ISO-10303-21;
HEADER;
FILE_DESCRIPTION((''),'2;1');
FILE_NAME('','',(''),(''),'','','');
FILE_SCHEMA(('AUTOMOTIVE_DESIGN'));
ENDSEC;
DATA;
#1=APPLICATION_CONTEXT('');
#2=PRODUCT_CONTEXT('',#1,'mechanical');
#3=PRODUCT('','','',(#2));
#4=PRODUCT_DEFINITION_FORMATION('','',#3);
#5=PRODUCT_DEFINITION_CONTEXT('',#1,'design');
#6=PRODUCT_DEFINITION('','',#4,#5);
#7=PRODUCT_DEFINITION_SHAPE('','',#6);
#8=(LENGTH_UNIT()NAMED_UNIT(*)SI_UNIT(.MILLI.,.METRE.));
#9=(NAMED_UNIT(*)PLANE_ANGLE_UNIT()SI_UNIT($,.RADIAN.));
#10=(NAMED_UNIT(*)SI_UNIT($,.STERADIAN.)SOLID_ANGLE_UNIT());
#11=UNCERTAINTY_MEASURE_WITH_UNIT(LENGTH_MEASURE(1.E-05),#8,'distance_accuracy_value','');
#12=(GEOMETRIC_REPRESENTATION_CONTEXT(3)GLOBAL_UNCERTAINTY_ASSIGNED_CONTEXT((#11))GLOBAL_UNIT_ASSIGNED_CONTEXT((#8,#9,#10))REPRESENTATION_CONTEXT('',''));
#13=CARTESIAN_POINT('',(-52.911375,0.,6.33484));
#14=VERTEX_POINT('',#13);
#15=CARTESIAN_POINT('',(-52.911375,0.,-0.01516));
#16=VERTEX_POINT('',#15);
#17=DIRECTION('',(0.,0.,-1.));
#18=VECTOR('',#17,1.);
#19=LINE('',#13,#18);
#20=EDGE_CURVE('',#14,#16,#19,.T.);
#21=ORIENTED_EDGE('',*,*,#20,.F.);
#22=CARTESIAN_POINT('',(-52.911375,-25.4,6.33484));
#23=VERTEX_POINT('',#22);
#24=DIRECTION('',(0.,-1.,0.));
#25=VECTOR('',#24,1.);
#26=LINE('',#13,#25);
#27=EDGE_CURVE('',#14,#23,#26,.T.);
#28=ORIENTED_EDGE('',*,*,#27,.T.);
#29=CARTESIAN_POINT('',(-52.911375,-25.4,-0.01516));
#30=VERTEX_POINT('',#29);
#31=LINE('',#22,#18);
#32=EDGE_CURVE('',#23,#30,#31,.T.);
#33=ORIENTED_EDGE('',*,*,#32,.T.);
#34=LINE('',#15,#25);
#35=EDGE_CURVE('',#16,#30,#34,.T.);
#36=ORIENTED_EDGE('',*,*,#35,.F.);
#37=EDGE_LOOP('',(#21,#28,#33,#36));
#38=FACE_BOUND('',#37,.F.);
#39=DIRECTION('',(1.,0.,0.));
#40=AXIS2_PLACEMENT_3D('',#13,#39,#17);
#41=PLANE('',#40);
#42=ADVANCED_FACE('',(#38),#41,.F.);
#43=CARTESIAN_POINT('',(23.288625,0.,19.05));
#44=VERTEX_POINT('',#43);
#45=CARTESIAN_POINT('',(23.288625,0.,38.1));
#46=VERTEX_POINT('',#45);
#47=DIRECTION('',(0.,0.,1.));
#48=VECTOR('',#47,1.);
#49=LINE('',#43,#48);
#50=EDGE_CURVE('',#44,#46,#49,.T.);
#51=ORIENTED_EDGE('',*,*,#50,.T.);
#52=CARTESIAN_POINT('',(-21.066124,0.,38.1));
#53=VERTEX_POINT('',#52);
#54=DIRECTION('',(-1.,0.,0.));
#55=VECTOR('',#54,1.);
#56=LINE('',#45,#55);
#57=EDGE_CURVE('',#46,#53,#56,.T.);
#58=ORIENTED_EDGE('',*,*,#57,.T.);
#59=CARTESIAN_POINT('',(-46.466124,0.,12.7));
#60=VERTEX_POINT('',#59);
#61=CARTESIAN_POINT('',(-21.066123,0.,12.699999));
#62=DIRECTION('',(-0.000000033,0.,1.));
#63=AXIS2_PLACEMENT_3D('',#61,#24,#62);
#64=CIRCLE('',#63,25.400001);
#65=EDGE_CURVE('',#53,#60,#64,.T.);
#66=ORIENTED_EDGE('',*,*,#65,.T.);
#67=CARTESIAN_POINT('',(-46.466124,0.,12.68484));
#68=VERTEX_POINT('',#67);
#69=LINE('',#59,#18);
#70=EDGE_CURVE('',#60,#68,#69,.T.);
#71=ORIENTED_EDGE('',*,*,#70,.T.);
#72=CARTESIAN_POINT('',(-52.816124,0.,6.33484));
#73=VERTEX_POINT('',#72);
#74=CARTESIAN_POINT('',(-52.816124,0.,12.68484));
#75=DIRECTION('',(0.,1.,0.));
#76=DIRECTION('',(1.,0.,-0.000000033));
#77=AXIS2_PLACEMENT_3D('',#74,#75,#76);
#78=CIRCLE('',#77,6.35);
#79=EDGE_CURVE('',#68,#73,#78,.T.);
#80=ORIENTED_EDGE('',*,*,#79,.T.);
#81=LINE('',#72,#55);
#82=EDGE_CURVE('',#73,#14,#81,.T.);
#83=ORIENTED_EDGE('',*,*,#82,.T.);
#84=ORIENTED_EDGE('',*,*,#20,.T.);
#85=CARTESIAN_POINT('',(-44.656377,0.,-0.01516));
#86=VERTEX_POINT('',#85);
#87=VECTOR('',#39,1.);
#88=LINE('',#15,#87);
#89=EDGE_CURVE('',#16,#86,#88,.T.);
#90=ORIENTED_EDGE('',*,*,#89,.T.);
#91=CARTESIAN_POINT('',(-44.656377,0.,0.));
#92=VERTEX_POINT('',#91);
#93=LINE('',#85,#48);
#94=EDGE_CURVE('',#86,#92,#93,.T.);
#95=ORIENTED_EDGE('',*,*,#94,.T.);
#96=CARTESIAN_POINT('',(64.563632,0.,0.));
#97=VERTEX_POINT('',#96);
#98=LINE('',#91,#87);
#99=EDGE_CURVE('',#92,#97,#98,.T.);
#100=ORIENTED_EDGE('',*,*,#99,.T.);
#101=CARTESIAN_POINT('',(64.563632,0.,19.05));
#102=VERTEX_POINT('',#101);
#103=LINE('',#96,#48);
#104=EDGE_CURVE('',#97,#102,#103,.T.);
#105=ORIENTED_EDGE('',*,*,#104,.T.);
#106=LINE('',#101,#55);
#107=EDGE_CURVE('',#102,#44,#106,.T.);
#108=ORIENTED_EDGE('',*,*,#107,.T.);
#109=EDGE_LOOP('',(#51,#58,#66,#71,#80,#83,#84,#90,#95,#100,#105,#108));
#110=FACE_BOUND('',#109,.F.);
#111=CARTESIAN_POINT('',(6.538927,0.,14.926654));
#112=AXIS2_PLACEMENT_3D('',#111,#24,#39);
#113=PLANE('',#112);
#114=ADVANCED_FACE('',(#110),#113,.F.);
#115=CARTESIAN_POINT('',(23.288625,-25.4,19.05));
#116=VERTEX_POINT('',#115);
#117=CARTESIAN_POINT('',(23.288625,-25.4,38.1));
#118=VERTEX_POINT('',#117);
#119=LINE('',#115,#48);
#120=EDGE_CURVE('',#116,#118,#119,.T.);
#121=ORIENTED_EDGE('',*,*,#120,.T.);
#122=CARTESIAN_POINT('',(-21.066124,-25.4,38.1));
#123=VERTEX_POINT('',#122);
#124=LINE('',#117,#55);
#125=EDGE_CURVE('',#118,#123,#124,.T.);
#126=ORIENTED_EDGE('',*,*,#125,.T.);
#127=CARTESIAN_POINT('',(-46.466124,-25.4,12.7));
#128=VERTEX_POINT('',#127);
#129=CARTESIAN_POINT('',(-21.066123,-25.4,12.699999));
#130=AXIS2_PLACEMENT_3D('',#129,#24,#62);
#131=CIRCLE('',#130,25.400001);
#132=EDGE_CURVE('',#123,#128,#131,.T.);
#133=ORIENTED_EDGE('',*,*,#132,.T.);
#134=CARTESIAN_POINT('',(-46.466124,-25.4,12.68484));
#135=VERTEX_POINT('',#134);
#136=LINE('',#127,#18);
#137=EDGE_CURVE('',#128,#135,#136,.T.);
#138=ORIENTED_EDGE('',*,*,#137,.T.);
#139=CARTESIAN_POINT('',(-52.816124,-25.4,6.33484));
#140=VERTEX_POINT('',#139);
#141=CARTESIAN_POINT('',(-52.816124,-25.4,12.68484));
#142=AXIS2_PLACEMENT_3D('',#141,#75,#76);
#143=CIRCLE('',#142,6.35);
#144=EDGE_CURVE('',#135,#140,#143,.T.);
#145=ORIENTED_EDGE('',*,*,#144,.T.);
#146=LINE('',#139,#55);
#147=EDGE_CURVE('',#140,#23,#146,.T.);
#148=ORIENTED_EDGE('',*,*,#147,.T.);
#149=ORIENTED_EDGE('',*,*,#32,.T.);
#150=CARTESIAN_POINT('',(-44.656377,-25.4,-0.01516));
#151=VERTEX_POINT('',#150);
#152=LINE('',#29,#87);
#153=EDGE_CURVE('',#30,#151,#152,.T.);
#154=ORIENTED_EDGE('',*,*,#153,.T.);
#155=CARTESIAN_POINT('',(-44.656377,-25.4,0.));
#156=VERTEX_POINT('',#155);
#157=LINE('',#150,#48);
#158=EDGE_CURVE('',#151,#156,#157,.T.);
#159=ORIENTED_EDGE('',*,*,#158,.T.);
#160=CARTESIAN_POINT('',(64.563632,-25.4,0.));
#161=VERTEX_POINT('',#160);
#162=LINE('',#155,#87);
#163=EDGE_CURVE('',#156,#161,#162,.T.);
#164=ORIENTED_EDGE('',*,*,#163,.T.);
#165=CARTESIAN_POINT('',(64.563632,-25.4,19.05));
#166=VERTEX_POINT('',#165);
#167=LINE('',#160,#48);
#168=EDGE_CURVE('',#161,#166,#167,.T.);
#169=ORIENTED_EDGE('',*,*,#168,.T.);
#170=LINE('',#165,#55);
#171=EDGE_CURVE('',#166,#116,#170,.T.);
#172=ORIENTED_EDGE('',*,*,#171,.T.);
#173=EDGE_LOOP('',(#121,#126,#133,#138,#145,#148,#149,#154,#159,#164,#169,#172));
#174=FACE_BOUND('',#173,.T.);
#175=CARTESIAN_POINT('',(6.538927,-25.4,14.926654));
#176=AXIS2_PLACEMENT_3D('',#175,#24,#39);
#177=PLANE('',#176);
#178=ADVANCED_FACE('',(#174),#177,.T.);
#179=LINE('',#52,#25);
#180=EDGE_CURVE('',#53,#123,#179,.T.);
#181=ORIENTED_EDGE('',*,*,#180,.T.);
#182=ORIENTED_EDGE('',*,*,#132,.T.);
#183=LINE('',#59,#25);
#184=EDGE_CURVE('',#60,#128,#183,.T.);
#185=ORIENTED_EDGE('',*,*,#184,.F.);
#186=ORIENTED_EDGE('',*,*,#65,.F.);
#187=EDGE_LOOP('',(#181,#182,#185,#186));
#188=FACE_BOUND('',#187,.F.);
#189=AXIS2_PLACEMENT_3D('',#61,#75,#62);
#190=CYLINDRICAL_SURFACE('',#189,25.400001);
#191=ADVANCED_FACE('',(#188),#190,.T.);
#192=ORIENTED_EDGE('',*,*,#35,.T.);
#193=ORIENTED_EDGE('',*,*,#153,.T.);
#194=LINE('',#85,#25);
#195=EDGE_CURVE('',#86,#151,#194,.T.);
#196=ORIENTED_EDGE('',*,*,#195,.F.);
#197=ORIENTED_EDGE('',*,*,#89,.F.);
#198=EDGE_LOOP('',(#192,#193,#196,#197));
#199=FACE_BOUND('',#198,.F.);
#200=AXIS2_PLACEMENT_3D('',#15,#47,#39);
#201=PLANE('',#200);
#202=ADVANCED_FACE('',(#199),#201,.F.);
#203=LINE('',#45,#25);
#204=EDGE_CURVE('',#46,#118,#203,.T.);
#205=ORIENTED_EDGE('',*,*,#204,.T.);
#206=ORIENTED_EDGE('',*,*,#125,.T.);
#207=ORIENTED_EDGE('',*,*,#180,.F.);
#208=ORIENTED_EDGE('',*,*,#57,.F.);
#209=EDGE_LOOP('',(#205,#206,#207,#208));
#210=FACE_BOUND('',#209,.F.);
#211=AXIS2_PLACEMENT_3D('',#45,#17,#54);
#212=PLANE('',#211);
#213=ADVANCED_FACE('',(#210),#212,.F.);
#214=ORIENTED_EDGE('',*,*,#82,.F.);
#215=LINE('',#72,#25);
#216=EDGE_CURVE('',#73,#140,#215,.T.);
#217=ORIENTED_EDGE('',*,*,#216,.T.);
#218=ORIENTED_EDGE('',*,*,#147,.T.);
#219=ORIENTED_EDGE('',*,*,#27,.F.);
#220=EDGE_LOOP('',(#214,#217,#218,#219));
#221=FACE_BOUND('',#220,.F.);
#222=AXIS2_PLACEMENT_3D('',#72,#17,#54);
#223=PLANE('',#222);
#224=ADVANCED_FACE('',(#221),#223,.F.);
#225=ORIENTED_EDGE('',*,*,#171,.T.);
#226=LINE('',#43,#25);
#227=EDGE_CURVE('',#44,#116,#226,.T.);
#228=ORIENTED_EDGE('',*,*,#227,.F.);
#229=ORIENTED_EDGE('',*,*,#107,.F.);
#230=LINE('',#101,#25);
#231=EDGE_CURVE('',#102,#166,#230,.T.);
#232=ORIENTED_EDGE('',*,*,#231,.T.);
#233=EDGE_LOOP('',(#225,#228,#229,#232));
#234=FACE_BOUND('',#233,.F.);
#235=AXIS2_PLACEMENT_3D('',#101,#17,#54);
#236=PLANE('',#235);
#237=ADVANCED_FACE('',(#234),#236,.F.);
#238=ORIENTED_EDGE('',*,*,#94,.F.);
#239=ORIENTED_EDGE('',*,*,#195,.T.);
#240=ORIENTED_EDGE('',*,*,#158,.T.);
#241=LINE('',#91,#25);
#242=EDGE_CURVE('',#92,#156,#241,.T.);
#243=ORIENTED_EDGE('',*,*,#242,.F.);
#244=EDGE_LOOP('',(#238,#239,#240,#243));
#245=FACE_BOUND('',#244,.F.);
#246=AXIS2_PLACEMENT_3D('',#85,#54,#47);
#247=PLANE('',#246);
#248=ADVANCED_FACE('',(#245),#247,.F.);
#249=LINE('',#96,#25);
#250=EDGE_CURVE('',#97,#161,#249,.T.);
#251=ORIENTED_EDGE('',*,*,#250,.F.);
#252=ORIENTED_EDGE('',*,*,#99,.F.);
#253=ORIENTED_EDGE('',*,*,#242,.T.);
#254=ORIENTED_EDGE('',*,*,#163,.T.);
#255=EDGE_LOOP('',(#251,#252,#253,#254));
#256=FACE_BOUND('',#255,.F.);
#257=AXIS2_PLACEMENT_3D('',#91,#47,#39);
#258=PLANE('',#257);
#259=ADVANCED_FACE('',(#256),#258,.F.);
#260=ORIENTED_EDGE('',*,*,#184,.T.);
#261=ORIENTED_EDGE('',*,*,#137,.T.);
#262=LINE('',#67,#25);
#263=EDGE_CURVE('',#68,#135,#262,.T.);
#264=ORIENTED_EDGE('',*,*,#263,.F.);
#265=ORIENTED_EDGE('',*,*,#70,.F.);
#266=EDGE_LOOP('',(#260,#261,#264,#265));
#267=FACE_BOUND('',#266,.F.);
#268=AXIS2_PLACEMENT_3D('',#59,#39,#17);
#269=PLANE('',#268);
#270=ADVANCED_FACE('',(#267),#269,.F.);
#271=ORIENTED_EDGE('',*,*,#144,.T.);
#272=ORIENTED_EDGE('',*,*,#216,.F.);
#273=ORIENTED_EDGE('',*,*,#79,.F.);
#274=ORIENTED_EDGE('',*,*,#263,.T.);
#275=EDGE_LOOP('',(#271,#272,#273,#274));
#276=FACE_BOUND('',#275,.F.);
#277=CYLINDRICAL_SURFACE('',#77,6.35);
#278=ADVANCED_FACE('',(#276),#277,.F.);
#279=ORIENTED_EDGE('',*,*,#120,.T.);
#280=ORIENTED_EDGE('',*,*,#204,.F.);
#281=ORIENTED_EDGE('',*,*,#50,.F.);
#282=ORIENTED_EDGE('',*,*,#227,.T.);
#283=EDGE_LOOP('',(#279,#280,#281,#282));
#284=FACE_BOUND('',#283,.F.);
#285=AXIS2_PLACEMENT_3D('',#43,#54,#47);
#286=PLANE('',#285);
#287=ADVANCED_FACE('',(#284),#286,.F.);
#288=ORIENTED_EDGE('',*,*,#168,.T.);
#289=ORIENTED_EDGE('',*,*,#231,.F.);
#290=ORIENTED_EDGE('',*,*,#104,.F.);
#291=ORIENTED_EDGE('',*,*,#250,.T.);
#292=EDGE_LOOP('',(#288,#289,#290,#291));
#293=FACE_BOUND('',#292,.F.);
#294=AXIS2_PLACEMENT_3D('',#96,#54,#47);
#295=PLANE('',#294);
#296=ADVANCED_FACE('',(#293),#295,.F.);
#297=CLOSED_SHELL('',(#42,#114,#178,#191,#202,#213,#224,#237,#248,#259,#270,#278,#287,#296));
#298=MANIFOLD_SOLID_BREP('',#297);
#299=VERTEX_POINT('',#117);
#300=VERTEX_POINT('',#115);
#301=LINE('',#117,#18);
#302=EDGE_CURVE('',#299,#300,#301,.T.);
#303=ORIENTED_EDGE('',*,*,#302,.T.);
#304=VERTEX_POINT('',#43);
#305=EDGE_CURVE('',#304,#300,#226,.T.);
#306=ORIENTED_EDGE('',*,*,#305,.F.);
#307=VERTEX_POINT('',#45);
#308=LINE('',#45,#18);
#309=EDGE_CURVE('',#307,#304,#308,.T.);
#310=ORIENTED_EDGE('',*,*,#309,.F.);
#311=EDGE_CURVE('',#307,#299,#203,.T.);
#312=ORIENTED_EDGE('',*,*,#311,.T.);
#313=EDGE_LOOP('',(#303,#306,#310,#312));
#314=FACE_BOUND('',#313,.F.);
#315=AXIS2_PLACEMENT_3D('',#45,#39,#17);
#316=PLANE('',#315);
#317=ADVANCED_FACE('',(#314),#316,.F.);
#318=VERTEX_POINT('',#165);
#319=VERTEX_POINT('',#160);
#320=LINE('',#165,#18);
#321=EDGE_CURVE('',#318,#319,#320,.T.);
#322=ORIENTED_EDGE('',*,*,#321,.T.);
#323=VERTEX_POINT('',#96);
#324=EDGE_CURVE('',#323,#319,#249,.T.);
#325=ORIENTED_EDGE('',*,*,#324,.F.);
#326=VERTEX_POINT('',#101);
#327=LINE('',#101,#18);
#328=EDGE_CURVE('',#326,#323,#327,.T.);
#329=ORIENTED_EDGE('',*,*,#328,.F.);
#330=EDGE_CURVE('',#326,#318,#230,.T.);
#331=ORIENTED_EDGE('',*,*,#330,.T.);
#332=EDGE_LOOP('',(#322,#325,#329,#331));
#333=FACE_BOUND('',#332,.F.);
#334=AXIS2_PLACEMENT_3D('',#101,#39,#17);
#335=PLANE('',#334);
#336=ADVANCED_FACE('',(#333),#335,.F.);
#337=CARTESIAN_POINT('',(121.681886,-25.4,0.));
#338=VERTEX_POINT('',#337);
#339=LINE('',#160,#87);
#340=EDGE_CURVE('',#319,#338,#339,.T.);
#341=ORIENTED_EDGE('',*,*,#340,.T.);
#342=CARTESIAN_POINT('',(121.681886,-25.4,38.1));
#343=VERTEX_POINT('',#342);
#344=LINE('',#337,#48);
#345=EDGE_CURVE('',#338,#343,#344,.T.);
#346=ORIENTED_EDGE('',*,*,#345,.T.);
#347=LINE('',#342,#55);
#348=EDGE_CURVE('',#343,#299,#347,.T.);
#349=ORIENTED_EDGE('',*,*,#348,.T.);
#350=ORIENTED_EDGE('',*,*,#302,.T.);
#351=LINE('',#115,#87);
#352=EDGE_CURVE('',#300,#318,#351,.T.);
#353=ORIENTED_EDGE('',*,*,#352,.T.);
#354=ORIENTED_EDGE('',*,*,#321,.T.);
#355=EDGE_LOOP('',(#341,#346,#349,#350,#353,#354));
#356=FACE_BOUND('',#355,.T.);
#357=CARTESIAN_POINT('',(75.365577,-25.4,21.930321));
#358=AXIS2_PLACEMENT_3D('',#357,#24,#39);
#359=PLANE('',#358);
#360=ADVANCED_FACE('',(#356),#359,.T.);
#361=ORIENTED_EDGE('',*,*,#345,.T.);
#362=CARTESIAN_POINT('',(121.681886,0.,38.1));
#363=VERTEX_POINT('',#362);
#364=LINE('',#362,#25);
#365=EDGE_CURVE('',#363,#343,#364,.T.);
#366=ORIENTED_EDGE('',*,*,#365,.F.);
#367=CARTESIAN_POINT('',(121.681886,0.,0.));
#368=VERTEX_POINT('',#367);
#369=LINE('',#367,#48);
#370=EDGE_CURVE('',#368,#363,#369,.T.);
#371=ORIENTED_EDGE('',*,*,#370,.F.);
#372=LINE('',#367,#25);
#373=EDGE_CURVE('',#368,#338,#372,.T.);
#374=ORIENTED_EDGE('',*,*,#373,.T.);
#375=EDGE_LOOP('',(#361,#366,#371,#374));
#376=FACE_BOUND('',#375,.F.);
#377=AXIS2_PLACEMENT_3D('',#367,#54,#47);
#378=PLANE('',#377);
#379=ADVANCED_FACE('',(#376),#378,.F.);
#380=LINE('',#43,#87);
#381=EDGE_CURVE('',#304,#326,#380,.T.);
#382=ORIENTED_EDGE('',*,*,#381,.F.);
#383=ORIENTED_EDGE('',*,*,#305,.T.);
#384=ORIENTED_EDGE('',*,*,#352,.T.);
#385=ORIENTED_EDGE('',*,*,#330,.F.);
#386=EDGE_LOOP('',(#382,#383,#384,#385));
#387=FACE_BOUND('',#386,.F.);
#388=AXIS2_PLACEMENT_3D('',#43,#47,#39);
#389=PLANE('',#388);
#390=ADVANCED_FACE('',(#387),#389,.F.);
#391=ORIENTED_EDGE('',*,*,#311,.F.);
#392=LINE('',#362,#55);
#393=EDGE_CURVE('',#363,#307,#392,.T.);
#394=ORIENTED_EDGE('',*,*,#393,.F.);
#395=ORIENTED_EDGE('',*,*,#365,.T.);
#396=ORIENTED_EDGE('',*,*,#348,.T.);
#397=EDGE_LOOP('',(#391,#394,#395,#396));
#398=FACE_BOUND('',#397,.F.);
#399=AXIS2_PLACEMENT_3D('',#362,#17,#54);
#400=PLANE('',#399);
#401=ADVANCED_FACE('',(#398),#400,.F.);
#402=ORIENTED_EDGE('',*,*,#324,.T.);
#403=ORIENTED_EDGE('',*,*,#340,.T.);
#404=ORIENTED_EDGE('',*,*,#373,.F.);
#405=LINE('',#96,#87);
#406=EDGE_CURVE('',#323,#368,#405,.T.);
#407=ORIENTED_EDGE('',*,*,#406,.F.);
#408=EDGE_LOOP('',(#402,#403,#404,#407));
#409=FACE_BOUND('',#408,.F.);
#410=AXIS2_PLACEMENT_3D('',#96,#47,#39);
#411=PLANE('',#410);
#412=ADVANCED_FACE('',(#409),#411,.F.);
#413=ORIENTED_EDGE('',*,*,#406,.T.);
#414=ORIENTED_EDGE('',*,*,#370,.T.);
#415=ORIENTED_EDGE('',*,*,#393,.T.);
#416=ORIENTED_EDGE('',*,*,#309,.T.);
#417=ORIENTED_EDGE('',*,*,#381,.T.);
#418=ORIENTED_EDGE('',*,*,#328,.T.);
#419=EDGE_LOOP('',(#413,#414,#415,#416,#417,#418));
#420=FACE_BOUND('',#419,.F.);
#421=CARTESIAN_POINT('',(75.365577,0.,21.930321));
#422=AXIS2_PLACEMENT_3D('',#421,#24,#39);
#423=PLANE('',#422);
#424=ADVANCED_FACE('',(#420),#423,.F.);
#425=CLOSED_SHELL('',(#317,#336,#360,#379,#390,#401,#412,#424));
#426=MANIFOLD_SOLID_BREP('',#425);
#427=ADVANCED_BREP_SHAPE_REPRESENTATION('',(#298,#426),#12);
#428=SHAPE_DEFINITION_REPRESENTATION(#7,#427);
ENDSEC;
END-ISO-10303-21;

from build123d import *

# Parameters (mm, degrees)
F1_DEPTH = 25.4
F2_DEPTH = 25.4


with BuildPart() as f1:
    # F0 (on Front) → F1 (new body)
    with BuildSketch(Plane.XZ):
        with BuildLine():
            Line((-44.656377, 0), (0, 0))
            Line((0, 0), (64.563632, 0))
            Line((64.563632, 0), (64.563632, 19.05))
            Line((64.563632, 19.05), (23.288625, 19.05))
            Line((23.288625, 19.05), (23.288625, 38.1))
            Line((23.288625, 38.1), (-21.066124, 38.1))
            ThreePointArc((-21.066124, 38.1), (-39.026636, 30.660512), (-46.466124, 12.7))
            Line((-46.466124, 12.7), (-46.466124, 12.68484))
            ThreePointArc((-46.466124, 12.68484), (-48.325996, 8.194712), (-52.816124, 6.33484))
            Line((-52.816124, 6.33484), (-52.911375, 6.33484))
            Line((-52.911375, 6.33484), (-52.911375, -0.01516))
            Line((-52.911375, -0.01516), (-44.656377, -0.01516))
            Line((-44.656377, -0.01516), (-44.656377, 0))
        make_face()
    extrude(amount=F1_DEPTH)


with BuildPart() as f2:
    # F0 (on Front) → F2 (new body)
    with BuildSketch(Plane.XZ):
        Polygon((64.563632, 19.05), (64.563632, 0), (121.681886, 0), (121.681886, 38.1), (23.288625, 38.1), (23.288625, 19.05), align=None)
    extrude(amount=F2_DEPTH)


solid = Compound([f1.part, f2.part])
